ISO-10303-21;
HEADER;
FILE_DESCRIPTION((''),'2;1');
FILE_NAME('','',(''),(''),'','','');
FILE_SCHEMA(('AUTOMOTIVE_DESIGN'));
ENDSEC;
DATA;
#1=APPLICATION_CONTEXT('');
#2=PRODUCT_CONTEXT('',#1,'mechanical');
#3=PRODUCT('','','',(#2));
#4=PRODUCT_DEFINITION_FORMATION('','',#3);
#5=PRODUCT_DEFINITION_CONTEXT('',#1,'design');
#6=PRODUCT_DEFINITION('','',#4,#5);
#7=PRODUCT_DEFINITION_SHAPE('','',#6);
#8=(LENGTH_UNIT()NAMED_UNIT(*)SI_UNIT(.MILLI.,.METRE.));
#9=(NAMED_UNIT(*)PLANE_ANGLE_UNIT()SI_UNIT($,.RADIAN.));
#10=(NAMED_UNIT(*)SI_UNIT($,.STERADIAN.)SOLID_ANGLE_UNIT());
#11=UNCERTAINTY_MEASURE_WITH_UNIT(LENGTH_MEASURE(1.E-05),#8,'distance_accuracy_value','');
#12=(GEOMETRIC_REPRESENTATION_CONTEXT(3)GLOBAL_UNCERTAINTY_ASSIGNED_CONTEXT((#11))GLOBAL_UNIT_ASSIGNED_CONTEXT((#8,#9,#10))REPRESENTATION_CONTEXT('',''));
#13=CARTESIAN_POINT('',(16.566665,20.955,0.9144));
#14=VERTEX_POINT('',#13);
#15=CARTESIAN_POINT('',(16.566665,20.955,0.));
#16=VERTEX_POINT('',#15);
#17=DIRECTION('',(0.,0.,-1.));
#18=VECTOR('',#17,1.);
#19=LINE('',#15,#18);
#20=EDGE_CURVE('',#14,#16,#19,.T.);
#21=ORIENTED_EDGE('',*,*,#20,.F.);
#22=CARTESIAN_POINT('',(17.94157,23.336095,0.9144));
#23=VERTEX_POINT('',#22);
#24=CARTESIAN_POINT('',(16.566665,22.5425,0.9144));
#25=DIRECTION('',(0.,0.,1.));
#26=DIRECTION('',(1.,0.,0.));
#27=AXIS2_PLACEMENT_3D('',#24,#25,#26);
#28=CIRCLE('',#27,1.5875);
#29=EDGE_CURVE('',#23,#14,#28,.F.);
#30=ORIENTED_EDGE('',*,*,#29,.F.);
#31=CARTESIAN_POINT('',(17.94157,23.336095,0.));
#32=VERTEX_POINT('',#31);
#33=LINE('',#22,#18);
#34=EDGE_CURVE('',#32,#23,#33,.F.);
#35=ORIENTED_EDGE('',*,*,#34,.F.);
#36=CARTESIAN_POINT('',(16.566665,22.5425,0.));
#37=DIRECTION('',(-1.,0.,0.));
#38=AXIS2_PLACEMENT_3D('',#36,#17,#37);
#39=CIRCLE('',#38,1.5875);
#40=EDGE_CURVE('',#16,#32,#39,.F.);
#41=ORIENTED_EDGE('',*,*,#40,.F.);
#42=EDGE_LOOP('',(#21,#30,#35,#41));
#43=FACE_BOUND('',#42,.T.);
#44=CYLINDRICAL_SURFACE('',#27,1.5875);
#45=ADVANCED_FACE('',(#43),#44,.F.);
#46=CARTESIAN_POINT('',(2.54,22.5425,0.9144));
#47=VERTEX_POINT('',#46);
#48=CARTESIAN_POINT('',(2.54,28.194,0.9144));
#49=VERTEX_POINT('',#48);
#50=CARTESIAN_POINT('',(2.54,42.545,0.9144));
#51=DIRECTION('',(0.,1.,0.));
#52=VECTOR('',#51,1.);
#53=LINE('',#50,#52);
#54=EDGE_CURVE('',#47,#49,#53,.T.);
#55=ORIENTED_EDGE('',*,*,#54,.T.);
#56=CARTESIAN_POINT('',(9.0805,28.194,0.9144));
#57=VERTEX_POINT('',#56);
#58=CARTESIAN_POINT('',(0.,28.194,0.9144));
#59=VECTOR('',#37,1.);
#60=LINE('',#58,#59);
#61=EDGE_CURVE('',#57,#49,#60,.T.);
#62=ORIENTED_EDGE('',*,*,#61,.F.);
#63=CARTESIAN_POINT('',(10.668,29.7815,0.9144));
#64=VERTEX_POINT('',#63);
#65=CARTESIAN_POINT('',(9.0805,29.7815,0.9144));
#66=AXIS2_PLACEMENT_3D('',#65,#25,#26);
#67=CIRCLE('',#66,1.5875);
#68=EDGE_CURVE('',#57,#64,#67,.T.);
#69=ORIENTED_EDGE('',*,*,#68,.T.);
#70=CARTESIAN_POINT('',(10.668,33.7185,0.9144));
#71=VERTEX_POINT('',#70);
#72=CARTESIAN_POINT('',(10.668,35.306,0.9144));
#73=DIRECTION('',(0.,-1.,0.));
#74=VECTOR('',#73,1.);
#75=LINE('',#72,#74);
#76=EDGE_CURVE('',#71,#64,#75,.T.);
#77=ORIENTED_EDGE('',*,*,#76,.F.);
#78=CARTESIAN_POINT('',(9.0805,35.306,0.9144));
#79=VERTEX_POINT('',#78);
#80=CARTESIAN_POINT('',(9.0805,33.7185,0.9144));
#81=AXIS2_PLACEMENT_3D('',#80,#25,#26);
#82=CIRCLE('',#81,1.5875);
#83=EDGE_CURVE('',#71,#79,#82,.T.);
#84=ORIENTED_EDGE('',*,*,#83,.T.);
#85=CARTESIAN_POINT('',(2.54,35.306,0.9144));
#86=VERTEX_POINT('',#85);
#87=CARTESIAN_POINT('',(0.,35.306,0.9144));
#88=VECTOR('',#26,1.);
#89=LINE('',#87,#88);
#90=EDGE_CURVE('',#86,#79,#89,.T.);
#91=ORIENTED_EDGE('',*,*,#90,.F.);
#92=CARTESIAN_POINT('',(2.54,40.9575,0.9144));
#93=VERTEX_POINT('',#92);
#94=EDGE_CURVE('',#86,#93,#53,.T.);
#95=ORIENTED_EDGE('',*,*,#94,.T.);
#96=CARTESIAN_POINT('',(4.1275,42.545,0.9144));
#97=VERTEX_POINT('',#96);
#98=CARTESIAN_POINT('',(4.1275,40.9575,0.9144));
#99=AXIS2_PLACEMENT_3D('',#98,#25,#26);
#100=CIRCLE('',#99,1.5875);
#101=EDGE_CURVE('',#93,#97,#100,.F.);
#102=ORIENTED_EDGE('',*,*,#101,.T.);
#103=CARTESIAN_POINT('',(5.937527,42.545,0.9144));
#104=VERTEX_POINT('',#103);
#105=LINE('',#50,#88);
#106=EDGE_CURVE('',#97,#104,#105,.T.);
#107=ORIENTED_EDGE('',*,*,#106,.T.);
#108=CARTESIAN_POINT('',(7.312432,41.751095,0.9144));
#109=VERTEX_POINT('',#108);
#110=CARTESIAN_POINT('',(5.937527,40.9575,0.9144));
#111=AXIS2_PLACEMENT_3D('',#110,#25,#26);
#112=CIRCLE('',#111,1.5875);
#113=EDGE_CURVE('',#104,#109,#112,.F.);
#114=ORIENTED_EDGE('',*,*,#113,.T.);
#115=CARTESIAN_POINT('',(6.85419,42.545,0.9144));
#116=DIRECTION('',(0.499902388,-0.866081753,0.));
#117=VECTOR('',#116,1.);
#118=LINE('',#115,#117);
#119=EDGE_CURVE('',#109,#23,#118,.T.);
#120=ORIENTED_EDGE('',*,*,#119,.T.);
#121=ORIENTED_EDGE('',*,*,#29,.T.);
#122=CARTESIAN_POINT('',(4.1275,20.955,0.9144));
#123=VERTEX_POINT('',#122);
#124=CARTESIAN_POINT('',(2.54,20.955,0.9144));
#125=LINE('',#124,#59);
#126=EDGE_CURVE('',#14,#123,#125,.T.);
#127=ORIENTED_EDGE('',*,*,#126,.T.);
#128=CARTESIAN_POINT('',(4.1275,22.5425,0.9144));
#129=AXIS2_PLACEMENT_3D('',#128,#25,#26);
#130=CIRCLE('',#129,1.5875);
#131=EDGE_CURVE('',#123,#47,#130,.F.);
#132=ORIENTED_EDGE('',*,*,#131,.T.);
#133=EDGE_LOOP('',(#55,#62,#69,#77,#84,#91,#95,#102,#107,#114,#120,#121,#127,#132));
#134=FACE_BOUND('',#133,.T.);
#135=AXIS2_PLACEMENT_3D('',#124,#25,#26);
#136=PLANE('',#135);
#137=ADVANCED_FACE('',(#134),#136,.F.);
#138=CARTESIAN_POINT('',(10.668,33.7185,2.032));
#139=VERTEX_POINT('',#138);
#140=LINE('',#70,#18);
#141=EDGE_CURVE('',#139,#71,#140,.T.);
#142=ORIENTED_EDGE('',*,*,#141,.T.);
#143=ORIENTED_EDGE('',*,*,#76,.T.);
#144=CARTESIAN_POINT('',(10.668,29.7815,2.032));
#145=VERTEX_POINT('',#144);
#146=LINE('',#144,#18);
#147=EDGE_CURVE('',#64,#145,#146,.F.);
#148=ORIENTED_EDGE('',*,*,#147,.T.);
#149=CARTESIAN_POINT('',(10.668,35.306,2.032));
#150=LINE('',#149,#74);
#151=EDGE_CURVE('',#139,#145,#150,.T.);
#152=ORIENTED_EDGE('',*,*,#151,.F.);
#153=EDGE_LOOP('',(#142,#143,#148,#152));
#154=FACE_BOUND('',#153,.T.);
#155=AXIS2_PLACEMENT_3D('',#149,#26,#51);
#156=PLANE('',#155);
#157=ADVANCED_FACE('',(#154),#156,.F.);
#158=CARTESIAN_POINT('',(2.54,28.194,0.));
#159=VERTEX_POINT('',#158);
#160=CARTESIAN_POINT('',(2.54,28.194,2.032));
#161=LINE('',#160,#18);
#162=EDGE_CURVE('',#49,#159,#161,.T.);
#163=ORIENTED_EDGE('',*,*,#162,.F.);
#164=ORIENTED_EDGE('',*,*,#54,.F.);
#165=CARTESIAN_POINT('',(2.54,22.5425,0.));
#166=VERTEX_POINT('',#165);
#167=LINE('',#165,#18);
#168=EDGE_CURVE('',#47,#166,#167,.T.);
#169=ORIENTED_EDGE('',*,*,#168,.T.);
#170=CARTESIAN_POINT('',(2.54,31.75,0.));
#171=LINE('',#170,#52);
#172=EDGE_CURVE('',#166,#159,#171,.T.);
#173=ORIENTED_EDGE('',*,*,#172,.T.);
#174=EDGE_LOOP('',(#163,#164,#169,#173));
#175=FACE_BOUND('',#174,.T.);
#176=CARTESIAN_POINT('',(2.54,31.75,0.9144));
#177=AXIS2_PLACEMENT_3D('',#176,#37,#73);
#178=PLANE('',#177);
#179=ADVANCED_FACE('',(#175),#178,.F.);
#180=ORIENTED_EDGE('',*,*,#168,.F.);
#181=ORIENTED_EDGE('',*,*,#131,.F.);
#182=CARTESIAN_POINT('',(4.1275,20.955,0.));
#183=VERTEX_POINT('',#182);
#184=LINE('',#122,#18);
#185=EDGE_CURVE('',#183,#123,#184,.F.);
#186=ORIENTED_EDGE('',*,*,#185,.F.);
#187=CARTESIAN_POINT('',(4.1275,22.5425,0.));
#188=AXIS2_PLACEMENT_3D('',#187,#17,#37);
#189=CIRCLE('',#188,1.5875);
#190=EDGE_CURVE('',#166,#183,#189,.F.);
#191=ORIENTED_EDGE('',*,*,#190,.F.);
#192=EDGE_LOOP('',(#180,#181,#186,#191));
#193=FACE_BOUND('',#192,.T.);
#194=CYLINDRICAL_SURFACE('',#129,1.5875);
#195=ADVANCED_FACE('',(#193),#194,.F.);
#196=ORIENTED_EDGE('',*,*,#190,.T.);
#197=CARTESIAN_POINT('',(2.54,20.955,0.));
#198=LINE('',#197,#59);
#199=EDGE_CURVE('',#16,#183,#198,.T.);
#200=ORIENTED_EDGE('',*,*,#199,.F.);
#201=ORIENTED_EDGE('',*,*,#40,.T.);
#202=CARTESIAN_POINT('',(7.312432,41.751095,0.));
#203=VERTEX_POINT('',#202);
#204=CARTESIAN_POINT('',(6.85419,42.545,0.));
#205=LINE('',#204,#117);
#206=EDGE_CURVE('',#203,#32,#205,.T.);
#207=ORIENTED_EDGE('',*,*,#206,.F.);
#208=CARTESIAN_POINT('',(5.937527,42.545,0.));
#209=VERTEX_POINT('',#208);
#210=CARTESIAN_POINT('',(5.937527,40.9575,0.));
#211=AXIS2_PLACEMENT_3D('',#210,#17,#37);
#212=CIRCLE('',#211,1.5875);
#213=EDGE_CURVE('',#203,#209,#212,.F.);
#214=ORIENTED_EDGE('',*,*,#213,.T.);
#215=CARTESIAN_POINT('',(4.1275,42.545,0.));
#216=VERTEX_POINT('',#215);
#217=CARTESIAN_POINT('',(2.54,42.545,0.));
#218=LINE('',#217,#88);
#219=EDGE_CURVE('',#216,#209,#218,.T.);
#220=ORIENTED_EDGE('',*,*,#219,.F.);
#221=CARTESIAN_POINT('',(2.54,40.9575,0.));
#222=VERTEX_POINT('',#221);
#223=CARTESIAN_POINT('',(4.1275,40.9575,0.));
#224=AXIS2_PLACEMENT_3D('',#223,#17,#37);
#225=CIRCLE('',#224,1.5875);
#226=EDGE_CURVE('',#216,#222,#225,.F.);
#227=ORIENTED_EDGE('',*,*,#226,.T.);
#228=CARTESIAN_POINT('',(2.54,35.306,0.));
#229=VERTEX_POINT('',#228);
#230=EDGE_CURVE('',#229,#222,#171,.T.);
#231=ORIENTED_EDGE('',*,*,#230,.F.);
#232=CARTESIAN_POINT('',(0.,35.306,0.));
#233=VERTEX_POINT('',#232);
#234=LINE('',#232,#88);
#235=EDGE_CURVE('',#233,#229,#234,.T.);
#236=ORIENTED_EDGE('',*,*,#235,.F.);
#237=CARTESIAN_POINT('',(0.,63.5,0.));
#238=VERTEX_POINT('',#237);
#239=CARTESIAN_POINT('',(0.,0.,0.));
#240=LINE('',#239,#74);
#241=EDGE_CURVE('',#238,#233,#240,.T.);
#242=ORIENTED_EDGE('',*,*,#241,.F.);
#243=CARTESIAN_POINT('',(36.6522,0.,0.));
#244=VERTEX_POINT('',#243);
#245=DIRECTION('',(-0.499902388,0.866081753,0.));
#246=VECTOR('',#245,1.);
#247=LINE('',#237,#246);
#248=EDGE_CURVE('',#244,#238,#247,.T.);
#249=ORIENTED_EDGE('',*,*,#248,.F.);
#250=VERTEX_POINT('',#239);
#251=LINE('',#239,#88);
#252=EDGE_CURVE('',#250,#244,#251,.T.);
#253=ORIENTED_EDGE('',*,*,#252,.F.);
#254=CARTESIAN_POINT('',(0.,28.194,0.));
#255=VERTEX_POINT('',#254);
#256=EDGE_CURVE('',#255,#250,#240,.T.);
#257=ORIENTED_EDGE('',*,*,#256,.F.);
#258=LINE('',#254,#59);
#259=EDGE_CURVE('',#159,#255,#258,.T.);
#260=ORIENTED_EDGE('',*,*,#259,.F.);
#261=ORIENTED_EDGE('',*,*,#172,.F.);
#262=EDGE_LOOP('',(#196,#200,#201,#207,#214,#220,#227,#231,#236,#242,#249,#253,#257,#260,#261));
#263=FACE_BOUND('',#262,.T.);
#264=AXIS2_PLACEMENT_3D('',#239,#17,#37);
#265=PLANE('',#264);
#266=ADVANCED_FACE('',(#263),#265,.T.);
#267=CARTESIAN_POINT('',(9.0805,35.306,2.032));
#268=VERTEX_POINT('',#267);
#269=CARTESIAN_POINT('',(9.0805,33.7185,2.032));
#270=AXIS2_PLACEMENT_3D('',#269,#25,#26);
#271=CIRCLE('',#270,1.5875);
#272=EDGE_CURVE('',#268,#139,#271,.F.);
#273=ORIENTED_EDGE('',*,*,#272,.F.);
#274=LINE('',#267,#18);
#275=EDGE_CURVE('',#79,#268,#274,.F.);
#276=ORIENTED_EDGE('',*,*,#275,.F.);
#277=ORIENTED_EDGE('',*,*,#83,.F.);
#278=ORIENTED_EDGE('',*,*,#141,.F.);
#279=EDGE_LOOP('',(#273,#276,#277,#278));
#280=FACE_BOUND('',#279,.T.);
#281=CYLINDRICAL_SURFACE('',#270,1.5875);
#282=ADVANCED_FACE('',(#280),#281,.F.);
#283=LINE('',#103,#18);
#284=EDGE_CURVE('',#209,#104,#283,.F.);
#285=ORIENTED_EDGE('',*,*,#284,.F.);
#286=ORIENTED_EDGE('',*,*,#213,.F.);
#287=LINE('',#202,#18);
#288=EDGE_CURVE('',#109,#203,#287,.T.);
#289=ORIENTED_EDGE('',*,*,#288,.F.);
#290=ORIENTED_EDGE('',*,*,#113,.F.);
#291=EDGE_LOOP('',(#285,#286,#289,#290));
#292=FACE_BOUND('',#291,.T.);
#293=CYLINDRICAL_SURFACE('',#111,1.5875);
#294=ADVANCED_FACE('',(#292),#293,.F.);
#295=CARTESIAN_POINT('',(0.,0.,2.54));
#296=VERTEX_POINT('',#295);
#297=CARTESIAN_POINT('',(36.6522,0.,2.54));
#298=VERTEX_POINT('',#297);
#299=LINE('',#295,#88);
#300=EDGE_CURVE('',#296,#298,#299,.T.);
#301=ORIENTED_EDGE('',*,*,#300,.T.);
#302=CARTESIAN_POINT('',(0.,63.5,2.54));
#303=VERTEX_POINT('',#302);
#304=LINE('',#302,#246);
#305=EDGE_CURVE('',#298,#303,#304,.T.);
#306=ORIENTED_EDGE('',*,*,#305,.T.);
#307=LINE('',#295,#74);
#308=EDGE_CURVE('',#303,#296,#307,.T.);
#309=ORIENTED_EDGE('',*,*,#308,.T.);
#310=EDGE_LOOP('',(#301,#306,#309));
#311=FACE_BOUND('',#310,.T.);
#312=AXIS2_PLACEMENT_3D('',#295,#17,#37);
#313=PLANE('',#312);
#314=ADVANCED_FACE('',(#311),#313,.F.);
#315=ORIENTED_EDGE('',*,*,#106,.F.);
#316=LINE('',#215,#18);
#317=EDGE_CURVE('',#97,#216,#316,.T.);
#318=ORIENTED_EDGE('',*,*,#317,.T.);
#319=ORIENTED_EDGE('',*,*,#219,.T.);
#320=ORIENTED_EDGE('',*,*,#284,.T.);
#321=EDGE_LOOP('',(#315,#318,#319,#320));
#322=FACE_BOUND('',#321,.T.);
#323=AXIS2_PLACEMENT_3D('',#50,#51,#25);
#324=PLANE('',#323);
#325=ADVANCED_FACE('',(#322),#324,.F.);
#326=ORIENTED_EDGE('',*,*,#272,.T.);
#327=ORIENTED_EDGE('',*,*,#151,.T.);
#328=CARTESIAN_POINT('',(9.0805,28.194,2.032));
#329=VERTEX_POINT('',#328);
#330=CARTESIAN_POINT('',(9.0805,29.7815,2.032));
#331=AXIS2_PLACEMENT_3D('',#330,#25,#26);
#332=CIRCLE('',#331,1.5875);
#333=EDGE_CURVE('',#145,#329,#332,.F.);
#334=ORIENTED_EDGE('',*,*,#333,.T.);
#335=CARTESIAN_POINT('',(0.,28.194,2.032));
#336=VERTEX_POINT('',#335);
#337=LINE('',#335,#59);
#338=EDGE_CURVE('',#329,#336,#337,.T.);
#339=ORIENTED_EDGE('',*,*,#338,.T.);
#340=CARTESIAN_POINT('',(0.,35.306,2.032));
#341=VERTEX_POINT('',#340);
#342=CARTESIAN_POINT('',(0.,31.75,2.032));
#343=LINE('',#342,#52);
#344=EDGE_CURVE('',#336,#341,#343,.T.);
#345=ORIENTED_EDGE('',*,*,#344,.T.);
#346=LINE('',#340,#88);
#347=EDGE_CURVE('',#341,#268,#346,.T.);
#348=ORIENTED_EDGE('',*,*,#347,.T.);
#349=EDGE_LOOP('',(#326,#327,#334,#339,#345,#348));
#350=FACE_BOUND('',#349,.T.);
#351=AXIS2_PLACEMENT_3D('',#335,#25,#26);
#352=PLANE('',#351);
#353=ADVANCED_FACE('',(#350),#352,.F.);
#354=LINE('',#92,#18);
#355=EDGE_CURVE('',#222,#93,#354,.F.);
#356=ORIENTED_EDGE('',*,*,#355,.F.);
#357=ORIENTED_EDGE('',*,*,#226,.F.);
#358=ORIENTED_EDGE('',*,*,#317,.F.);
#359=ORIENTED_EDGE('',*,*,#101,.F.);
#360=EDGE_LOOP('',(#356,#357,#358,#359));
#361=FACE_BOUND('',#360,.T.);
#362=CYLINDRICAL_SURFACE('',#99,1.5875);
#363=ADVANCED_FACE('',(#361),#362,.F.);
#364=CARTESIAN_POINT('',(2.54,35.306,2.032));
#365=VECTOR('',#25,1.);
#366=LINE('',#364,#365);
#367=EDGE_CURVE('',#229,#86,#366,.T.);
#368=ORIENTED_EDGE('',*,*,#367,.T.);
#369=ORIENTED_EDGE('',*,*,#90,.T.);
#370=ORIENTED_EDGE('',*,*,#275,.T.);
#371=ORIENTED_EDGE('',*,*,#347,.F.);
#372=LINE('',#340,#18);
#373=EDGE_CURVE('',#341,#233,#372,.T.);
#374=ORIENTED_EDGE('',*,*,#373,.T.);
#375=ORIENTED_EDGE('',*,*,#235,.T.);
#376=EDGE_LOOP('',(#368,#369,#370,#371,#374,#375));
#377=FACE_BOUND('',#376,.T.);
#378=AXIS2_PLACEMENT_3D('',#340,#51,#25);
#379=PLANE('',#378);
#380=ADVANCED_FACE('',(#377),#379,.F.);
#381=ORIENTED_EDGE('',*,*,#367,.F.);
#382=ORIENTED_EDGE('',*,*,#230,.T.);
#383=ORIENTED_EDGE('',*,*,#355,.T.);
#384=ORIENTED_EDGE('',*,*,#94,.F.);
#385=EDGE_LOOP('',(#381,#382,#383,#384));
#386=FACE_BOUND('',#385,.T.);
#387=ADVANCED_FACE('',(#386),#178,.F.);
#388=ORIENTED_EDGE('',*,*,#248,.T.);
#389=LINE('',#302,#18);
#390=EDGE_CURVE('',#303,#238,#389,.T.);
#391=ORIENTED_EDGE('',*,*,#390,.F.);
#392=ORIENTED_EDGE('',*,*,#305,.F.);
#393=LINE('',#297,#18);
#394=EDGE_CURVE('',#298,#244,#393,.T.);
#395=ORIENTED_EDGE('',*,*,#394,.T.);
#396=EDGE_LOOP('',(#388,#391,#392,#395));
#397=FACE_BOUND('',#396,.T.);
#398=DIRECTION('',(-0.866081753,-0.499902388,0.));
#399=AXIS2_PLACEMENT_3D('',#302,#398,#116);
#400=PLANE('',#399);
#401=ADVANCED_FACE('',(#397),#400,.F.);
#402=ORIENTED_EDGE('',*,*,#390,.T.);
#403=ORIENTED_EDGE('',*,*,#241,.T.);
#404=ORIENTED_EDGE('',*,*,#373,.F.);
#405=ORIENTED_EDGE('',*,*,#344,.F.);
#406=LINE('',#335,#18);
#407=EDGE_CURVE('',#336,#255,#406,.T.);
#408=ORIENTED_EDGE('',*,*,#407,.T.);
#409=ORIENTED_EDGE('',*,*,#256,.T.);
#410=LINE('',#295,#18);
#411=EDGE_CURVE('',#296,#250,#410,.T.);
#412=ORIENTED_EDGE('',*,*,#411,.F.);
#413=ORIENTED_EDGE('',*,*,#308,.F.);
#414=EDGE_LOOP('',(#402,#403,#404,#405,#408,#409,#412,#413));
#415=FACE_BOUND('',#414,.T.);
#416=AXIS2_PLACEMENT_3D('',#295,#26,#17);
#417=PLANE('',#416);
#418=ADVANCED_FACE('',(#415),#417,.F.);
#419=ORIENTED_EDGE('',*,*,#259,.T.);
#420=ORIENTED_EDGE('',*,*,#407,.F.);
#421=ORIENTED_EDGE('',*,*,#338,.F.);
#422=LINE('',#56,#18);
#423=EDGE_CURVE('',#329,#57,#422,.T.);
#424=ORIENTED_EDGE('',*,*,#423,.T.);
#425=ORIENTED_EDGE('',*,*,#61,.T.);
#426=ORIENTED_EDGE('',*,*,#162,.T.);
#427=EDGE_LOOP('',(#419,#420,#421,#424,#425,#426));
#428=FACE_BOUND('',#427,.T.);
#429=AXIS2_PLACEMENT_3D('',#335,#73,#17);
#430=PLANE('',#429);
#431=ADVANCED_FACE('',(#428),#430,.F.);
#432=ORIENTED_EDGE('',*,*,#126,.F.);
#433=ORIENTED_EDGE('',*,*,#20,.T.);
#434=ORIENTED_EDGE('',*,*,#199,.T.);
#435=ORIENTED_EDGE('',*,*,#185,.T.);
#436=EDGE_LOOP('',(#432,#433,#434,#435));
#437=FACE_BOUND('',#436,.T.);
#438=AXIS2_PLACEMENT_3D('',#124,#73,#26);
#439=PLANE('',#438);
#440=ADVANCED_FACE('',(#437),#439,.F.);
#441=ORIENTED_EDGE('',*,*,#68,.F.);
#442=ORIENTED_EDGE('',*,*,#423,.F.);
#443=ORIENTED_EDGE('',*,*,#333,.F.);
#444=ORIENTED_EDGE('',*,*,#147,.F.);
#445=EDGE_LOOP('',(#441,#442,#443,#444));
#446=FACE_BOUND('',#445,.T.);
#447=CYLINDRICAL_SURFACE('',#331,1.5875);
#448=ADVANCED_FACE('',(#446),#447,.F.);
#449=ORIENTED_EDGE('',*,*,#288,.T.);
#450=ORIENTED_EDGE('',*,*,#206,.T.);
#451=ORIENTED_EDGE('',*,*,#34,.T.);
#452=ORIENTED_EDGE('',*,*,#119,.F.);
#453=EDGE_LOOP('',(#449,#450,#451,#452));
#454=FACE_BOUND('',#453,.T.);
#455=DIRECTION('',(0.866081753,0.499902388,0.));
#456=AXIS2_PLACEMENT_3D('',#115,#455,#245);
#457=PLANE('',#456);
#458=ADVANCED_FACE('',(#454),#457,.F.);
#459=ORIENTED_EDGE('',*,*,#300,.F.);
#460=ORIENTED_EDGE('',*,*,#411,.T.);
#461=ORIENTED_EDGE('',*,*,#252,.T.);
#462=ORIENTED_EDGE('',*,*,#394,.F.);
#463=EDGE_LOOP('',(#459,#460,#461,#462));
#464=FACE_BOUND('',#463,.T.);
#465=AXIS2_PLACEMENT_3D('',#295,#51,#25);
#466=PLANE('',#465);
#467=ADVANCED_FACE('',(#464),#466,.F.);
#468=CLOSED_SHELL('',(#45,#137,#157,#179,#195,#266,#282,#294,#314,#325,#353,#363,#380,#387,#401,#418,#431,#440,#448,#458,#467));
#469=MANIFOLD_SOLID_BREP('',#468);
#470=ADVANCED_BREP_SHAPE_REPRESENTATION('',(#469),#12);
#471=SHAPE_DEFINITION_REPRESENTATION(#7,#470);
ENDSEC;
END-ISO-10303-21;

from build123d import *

# Parameters (mm, degrees)
EXTRUDE1_DEPTH = 2.54
EXTRUDE3_DEPTH = 2.032
EXTRUDE2_DEPTH = 0.9144
FILLET1_R      = 1.5875


with BuildPart() as part:
    # Sketch1 → Extrude1 (new body)
    with BuildSketch(Plane.XY):
        Polygon((0, 63.5), (36.6522, 0), (0, 0), align=None)
    extrude(amount=EXTRUDE1_DEPTH)

    # Sketch4 → Extrude3 (cut)
    with BuildSketch(Plane(origin=(0, 0, 0), x_dir=(-1, 0, 0), z_dir=(0, 0, -1))):
        Polygon((0, 31.75), (0, 35.306), (-10.668, 35.306), (-10.668, 28.194), (0, 28.194), align=None)
    extrude(amount=-EXTRUDE3_DEPTH, mode=Mode.SUBTRACT)

    # Sketch3 → Extrude2 (cut)
    with BuildSketch(Plane(origin=(0, 0, 0), x_dir=(-1, 0, 0), z_dir=(0, 0, -1))):
        Polygon((-2.54, 31.75), (-2.54, 20.955), (-19.315938, 20.955), (-6.85419, 42.545), (-2.54, 42.545), align=None)
    extrude(amount=-EXTRUDE2_DEPTH, mode=Mode.SUBTRACT)

    # Fillet1
    fillet1_edges = [part.edges().sort_by_distance(p)[0] for p in [
        (10.668, 28.194, 1.4732),
        (10.668, 35.306, 1.4732),
        (2.54, 42.545, 0.4572),
        (2.54, 20.955, 0.4572),
        (19.315938, 20.955, 0.4572),
        (6.85419, 42.545, 0.4572),
    ]]
    fillet(fillet1_edges, radius=FILLET1_R)


solid = part.part
